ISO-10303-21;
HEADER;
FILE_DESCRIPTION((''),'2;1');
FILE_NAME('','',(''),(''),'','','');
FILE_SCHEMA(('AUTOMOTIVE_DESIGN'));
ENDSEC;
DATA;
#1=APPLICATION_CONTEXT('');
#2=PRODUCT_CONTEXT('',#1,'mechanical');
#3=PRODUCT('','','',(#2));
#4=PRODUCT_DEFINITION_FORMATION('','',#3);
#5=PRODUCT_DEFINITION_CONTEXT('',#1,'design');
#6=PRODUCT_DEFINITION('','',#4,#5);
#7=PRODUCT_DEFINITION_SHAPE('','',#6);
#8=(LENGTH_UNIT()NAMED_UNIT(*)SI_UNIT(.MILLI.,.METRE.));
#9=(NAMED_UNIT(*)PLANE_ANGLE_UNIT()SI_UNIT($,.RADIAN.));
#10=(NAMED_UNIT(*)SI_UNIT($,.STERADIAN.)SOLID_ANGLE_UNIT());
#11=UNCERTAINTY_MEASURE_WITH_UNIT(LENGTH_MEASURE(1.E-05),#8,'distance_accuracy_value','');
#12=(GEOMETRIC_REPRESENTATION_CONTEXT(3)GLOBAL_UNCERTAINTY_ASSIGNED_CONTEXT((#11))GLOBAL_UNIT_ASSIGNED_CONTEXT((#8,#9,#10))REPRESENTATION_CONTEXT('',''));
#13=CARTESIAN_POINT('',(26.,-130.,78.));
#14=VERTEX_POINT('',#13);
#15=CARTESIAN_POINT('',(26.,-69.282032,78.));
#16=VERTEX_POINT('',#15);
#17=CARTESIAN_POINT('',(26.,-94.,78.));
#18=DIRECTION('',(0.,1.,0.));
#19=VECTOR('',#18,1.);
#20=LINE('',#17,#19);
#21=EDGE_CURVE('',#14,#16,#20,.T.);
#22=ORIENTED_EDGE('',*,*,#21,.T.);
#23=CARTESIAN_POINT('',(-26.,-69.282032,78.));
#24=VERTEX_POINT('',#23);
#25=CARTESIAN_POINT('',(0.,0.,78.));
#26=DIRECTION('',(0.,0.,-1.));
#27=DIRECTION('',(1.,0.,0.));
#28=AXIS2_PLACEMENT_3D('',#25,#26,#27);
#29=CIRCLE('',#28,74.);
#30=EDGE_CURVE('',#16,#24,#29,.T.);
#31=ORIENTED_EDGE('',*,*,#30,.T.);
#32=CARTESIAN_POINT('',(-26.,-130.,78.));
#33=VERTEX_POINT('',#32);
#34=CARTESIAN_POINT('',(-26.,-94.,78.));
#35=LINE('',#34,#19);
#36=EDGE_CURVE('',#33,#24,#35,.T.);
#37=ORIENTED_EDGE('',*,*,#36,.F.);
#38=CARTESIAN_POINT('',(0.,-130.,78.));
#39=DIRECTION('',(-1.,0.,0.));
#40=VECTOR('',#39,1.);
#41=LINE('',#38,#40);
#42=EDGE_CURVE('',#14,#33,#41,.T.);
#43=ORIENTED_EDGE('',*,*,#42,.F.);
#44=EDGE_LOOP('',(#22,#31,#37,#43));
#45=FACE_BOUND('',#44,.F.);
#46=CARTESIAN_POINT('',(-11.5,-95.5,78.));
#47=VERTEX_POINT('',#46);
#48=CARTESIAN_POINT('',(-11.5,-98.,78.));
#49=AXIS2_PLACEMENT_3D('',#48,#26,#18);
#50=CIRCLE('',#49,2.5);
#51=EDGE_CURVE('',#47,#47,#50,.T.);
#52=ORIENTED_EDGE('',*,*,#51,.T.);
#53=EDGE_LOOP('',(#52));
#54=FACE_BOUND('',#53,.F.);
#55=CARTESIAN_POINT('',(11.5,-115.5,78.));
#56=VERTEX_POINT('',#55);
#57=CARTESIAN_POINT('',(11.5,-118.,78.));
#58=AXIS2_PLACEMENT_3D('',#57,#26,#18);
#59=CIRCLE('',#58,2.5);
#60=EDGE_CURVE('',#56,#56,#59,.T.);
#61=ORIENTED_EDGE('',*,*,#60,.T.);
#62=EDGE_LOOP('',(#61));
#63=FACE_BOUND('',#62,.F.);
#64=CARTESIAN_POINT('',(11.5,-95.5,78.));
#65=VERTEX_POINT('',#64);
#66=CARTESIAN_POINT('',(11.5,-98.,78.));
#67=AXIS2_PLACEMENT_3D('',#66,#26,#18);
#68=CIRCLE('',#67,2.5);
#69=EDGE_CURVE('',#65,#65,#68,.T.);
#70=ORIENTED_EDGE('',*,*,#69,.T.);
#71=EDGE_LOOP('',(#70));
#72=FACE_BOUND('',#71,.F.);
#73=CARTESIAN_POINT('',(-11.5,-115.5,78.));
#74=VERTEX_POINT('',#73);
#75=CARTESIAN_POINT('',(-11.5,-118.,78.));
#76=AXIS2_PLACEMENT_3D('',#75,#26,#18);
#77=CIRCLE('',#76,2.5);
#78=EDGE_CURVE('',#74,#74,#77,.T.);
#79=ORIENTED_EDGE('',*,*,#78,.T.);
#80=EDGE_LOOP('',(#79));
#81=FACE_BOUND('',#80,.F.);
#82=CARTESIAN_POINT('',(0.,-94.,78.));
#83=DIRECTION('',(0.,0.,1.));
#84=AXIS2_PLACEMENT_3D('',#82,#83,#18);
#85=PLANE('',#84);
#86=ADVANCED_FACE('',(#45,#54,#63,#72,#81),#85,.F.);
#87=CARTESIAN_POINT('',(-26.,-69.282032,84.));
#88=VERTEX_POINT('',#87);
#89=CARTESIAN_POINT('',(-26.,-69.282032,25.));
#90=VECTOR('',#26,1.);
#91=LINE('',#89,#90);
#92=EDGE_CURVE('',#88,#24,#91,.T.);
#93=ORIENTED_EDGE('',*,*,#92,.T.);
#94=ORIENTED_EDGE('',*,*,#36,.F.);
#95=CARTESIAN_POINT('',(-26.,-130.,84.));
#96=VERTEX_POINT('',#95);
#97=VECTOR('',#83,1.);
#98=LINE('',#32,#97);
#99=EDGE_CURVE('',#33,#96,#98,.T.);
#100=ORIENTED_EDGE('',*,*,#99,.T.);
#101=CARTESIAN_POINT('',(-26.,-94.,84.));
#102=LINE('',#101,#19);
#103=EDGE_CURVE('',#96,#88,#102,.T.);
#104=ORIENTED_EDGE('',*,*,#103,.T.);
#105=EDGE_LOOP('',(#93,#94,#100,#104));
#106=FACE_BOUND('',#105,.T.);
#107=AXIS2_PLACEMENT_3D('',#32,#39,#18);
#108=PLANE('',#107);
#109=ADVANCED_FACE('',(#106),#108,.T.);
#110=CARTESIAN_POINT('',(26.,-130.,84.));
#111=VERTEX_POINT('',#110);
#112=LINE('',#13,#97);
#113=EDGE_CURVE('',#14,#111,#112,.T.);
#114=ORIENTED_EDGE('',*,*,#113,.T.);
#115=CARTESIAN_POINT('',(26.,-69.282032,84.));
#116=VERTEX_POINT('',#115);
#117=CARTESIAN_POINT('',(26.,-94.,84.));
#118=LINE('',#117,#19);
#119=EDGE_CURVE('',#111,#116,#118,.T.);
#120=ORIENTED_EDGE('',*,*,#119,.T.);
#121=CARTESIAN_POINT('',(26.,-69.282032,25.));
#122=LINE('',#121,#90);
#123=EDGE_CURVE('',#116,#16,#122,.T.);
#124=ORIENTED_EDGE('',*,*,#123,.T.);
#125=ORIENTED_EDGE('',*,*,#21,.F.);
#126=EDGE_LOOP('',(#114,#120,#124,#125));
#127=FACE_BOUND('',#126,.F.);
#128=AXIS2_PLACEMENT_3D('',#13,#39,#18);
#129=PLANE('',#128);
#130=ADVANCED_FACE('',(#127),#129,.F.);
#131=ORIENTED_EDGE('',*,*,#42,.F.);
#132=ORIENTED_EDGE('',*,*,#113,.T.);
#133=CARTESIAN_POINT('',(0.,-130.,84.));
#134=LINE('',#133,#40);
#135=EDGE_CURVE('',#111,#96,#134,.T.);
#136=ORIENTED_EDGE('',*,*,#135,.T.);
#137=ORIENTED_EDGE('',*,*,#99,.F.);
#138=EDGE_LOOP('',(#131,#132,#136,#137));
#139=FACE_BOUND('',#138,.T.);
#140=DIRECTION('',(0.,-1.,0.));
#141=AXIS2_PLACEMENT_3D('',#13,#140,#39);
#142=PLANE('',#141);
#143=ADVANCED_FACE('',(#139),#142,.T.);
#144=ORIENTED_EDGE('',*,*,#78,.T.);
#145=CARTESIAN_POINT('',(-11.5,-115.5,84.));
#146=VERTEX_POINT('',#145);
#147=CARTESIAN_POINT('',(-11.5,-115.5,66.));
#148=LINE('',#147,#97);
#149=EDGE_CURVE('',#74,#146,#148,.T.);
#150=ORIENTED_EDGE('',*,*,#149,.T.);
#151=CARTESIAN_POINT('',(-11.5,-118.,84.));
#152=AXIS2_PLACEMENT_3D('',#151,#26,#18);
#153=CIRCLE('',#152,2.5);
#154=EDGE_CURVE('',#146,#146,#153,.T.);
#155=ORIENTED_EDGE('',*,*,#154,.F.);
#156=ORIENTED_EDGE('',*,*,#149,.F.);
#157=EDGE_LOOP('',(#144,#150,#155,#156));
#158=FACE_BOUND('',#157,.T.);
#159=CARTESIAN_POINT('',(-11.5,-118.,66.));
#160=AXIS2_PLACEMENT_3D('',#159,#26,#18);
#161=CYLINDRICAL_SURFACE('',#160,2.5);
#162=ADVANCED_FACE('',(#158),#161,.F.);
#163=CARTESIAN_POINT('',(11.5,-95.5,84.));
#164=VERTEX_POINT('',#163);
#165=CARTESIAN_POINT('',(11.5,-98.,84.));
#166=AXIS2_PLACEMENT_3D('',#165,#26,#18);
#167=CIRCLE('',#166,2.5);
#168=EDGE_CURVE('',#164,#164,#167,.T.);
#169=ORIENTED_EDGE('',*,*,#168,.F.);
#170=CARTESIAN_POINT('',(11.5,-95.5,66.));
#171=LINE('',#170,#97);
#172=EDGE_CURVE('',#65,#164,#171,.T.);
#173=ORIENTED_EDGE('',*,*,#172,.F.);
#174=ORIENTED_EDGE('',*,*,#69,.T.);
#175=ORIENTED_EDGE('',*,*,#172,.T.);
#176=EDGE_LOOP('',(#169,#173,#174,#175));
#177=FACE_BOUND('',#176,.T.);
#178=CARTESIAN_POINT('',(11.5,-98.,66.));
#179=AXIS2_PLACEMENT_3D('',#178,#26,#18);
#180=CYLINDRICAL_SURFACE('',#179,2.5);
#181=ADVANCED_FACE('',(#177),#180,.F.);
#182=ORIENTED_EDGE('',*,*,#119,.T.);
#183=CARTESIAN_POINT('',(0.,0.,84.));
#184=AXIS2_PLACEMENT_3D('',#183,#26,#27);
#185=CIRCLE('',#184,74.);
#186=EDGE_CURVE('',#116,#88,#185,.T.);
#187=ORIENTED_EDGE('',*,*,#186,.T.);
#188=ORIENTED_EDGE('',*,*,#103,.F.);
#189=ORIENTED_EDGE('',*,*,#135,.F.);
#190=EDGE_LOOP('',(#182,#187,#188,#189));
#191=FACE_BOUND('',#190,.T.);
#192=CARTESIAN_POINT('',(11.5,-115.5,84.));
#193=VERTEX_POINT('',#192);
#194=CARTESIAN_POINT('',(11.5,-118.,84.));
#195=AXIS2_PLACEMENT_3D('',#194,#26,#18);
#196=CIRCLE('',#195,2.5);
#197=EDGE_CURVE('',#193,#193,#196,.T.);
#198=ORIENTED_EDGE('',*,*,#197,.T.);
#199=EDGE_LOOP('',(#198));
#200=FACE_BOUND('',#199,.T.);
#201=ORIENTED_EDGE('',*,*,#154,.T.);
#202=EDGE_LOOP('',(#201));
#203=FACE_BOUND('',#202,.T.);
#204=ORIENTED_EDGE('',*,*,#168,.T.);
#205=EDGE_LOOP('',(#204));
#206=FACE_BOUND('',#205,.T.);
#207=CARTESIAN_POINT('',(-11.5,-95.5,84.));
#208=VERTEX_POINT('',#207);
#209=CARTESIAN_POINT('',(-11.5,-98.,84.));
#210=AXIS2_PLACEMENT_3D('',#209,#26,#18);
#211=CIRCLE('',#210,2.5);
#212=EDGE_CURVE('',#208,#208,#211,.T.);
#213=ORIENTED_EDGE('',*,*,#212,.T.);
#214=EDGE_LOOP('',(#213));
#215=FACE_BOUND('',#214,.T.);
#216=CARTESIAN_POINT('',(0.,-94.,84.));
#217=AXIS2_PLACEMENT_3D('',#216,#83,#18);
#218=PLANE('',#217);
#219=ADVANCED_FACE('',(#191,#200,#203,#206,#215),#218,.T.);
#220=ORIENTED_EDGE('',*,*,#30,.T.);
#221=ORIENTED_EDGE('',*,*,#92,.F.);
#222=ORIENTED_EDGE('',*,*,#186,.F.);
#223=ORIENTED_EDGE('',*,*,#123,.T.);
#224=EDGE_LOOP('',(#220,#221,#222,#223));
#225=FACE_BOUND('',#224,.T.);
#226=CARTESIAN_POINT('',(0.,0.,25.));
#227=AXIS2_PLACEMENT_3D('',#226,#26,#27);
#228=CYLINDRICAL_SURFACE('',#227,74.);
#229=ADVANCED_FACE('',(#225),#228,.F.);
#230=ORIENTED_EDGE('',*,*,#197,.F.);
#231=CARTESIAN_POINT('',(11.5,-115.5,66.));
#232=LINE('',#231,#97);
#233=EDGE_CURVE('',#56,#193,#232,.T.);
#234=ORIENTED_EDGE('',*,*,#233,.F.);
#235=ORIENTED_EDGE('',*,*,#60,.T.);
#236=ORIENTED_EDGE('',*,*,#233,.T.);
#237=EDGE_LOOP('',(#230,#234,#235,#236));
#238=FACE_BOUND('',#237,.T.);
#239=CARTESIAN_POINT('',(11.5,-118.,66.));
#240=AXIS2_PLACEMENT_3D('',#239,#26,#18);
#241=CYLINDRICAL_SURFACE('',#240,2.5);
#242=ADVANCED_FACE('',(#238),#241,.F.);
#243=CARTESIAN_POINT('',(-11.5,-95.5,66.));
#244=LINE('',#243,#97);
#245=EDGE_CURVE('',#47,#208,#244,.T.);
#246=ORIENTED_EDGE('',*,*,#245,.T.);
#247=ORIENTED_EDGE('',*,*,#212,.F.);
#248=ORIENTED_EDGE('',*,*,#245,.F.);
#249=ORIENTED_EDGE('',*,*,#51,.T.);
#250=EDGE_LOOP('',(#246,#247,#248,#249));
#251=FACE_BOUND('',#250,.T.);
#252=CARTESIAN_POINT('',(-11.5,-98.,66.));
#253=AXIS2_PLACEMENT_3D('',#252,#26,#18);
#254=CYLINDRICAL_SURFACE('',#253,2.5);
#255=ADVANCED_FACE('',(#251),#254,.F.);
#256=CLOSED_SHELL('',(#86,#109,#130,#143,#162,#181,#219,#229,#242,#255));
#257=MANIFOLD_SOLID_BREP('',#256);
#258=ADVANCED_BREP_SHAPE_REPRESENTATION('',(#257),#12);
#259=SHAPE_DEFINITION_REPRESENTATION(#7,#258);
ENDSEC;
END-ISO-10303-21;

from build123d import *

# Parameters (mm, degrees)
CYLINDER1840_R              = 74
CYLINDER1840_DEPTH          = 64
CYLINDER1831_R              = 2.5
CYLINDER1831_DEPTH          = 20
CYLINDER1830_R              = 2.5
CYLINDER1830_DEPTH          = 20
COMPOUND931_PLACEMENT_ANGLE = 90
CYLINDER1828_R              = 2.5
CYLINDER1828_DEPTH          = 20
CYLINDER1829_R              = 2.5
CYLINDER1829_DEPTH          = 20
COMPOUND930_PLACEMENT_ANGLE = 90
BOX785_W                    = 72
BOX785_H                    = 52
BOX785_DEPTH                = 6


with BuildPart() as v_lec1840:
    # Cylinder1840 → Cylinder1840 (new body)
    with BuildSketch(Plane.XY.offset(25)):
        Circle(CYLINDER1840_R)
    extrude(amount=CYLINDER1840_DEPTH)


with BuildPart() as v_lec1831:
    # Cylinder1831 → Cylinder1831 (new body)
    with BuildSketch(Plane(origin=(-90, -10, 66), x_dir=(1, 0, 0), z_dir=(0, 0, 1))):
        Circle(CYLINDER1831_R)
    extrude(amount=CYLINDER1831_DEPTH)


with BuildPart() as compound931:
    # Cylinder1830 → Cylinder1830 (new body)
    with BuildSketch(Plane(origin=(-110, -10, 66), x_dir=(1, 0, 0), z_dir=(0, 0, 1))):
        Circle(CYLINDER1830_R)
    extrude(amount=CYLINDER1830_DEPTH)

    # Compound931: union Válec1831
    add(v_lec1831.part)


with BuildPart() as compound931_1:
    # Compound931 placement: moved
    add(compound931.part.moved(Location((-21.5, -8, 0))).rotate(Axis((-21.5, -8, 0), (0, 0, 1)), COMPOUND931_PLACEMENT_ANGLE))


with BuildPart() as v_lec1828:
    # Cylinder1828 → Cylinder1828 (new body)
    with BuildSketch(Plane(origin=(-90, -10, 66), x_dir=(1, 0, 0), z_dir=(0, 0, 1))):
        Circle(CYLINDER1828_R)
    extrude(amount=CYLINDER1828_DEPTH)


with BuildPart() as compound932:
    # Cylinder1829 → Cylinder1829 (new body)
    with BuildSketch(Plane(origin=(-110, -10, 66), x_dir=(1, 0, 0), z_dir=(0, 0, 1))):
        Circle(CYLINDER1829_R)
    extrude(amount=CYLINDER1829_DEPTH)

    # Compound930: union Válec1828
    add(v_lec1828.part)


with BuildPart() as compound932_1:
    # Compound930 placement: moved
    add(compound932.part.moved(Location((1.5, -8, 0))).rotate(Axis((1.5, -8, 0), (0, 0, 1)), COMPOUND930_PLACEMENT_ANGLE))

    # Compound932: union Compound931
    add(compound931_1.part)


with BuildPart() as cut597:
    # Box785 → Box785 (new body)
    with BuildSketch(Plane(origin=(26, -130, 78), x_dir=(0, 1, 0), z_dir=(0, 0, 1))):
        with Locations((36, 26)):
            Rectangle(BOX785_W, BOX785_H)
    extrude(amount=BOX785_DEPTH)

    # Cut594: cut Compound932
    add(compound932_1.part, mode=Mode.SUBTRACT)

    # Cut597: cut Válec1840
    add(v_lec1840.part, mode=Mode.SUBTRACT)


solid = cut597.part
